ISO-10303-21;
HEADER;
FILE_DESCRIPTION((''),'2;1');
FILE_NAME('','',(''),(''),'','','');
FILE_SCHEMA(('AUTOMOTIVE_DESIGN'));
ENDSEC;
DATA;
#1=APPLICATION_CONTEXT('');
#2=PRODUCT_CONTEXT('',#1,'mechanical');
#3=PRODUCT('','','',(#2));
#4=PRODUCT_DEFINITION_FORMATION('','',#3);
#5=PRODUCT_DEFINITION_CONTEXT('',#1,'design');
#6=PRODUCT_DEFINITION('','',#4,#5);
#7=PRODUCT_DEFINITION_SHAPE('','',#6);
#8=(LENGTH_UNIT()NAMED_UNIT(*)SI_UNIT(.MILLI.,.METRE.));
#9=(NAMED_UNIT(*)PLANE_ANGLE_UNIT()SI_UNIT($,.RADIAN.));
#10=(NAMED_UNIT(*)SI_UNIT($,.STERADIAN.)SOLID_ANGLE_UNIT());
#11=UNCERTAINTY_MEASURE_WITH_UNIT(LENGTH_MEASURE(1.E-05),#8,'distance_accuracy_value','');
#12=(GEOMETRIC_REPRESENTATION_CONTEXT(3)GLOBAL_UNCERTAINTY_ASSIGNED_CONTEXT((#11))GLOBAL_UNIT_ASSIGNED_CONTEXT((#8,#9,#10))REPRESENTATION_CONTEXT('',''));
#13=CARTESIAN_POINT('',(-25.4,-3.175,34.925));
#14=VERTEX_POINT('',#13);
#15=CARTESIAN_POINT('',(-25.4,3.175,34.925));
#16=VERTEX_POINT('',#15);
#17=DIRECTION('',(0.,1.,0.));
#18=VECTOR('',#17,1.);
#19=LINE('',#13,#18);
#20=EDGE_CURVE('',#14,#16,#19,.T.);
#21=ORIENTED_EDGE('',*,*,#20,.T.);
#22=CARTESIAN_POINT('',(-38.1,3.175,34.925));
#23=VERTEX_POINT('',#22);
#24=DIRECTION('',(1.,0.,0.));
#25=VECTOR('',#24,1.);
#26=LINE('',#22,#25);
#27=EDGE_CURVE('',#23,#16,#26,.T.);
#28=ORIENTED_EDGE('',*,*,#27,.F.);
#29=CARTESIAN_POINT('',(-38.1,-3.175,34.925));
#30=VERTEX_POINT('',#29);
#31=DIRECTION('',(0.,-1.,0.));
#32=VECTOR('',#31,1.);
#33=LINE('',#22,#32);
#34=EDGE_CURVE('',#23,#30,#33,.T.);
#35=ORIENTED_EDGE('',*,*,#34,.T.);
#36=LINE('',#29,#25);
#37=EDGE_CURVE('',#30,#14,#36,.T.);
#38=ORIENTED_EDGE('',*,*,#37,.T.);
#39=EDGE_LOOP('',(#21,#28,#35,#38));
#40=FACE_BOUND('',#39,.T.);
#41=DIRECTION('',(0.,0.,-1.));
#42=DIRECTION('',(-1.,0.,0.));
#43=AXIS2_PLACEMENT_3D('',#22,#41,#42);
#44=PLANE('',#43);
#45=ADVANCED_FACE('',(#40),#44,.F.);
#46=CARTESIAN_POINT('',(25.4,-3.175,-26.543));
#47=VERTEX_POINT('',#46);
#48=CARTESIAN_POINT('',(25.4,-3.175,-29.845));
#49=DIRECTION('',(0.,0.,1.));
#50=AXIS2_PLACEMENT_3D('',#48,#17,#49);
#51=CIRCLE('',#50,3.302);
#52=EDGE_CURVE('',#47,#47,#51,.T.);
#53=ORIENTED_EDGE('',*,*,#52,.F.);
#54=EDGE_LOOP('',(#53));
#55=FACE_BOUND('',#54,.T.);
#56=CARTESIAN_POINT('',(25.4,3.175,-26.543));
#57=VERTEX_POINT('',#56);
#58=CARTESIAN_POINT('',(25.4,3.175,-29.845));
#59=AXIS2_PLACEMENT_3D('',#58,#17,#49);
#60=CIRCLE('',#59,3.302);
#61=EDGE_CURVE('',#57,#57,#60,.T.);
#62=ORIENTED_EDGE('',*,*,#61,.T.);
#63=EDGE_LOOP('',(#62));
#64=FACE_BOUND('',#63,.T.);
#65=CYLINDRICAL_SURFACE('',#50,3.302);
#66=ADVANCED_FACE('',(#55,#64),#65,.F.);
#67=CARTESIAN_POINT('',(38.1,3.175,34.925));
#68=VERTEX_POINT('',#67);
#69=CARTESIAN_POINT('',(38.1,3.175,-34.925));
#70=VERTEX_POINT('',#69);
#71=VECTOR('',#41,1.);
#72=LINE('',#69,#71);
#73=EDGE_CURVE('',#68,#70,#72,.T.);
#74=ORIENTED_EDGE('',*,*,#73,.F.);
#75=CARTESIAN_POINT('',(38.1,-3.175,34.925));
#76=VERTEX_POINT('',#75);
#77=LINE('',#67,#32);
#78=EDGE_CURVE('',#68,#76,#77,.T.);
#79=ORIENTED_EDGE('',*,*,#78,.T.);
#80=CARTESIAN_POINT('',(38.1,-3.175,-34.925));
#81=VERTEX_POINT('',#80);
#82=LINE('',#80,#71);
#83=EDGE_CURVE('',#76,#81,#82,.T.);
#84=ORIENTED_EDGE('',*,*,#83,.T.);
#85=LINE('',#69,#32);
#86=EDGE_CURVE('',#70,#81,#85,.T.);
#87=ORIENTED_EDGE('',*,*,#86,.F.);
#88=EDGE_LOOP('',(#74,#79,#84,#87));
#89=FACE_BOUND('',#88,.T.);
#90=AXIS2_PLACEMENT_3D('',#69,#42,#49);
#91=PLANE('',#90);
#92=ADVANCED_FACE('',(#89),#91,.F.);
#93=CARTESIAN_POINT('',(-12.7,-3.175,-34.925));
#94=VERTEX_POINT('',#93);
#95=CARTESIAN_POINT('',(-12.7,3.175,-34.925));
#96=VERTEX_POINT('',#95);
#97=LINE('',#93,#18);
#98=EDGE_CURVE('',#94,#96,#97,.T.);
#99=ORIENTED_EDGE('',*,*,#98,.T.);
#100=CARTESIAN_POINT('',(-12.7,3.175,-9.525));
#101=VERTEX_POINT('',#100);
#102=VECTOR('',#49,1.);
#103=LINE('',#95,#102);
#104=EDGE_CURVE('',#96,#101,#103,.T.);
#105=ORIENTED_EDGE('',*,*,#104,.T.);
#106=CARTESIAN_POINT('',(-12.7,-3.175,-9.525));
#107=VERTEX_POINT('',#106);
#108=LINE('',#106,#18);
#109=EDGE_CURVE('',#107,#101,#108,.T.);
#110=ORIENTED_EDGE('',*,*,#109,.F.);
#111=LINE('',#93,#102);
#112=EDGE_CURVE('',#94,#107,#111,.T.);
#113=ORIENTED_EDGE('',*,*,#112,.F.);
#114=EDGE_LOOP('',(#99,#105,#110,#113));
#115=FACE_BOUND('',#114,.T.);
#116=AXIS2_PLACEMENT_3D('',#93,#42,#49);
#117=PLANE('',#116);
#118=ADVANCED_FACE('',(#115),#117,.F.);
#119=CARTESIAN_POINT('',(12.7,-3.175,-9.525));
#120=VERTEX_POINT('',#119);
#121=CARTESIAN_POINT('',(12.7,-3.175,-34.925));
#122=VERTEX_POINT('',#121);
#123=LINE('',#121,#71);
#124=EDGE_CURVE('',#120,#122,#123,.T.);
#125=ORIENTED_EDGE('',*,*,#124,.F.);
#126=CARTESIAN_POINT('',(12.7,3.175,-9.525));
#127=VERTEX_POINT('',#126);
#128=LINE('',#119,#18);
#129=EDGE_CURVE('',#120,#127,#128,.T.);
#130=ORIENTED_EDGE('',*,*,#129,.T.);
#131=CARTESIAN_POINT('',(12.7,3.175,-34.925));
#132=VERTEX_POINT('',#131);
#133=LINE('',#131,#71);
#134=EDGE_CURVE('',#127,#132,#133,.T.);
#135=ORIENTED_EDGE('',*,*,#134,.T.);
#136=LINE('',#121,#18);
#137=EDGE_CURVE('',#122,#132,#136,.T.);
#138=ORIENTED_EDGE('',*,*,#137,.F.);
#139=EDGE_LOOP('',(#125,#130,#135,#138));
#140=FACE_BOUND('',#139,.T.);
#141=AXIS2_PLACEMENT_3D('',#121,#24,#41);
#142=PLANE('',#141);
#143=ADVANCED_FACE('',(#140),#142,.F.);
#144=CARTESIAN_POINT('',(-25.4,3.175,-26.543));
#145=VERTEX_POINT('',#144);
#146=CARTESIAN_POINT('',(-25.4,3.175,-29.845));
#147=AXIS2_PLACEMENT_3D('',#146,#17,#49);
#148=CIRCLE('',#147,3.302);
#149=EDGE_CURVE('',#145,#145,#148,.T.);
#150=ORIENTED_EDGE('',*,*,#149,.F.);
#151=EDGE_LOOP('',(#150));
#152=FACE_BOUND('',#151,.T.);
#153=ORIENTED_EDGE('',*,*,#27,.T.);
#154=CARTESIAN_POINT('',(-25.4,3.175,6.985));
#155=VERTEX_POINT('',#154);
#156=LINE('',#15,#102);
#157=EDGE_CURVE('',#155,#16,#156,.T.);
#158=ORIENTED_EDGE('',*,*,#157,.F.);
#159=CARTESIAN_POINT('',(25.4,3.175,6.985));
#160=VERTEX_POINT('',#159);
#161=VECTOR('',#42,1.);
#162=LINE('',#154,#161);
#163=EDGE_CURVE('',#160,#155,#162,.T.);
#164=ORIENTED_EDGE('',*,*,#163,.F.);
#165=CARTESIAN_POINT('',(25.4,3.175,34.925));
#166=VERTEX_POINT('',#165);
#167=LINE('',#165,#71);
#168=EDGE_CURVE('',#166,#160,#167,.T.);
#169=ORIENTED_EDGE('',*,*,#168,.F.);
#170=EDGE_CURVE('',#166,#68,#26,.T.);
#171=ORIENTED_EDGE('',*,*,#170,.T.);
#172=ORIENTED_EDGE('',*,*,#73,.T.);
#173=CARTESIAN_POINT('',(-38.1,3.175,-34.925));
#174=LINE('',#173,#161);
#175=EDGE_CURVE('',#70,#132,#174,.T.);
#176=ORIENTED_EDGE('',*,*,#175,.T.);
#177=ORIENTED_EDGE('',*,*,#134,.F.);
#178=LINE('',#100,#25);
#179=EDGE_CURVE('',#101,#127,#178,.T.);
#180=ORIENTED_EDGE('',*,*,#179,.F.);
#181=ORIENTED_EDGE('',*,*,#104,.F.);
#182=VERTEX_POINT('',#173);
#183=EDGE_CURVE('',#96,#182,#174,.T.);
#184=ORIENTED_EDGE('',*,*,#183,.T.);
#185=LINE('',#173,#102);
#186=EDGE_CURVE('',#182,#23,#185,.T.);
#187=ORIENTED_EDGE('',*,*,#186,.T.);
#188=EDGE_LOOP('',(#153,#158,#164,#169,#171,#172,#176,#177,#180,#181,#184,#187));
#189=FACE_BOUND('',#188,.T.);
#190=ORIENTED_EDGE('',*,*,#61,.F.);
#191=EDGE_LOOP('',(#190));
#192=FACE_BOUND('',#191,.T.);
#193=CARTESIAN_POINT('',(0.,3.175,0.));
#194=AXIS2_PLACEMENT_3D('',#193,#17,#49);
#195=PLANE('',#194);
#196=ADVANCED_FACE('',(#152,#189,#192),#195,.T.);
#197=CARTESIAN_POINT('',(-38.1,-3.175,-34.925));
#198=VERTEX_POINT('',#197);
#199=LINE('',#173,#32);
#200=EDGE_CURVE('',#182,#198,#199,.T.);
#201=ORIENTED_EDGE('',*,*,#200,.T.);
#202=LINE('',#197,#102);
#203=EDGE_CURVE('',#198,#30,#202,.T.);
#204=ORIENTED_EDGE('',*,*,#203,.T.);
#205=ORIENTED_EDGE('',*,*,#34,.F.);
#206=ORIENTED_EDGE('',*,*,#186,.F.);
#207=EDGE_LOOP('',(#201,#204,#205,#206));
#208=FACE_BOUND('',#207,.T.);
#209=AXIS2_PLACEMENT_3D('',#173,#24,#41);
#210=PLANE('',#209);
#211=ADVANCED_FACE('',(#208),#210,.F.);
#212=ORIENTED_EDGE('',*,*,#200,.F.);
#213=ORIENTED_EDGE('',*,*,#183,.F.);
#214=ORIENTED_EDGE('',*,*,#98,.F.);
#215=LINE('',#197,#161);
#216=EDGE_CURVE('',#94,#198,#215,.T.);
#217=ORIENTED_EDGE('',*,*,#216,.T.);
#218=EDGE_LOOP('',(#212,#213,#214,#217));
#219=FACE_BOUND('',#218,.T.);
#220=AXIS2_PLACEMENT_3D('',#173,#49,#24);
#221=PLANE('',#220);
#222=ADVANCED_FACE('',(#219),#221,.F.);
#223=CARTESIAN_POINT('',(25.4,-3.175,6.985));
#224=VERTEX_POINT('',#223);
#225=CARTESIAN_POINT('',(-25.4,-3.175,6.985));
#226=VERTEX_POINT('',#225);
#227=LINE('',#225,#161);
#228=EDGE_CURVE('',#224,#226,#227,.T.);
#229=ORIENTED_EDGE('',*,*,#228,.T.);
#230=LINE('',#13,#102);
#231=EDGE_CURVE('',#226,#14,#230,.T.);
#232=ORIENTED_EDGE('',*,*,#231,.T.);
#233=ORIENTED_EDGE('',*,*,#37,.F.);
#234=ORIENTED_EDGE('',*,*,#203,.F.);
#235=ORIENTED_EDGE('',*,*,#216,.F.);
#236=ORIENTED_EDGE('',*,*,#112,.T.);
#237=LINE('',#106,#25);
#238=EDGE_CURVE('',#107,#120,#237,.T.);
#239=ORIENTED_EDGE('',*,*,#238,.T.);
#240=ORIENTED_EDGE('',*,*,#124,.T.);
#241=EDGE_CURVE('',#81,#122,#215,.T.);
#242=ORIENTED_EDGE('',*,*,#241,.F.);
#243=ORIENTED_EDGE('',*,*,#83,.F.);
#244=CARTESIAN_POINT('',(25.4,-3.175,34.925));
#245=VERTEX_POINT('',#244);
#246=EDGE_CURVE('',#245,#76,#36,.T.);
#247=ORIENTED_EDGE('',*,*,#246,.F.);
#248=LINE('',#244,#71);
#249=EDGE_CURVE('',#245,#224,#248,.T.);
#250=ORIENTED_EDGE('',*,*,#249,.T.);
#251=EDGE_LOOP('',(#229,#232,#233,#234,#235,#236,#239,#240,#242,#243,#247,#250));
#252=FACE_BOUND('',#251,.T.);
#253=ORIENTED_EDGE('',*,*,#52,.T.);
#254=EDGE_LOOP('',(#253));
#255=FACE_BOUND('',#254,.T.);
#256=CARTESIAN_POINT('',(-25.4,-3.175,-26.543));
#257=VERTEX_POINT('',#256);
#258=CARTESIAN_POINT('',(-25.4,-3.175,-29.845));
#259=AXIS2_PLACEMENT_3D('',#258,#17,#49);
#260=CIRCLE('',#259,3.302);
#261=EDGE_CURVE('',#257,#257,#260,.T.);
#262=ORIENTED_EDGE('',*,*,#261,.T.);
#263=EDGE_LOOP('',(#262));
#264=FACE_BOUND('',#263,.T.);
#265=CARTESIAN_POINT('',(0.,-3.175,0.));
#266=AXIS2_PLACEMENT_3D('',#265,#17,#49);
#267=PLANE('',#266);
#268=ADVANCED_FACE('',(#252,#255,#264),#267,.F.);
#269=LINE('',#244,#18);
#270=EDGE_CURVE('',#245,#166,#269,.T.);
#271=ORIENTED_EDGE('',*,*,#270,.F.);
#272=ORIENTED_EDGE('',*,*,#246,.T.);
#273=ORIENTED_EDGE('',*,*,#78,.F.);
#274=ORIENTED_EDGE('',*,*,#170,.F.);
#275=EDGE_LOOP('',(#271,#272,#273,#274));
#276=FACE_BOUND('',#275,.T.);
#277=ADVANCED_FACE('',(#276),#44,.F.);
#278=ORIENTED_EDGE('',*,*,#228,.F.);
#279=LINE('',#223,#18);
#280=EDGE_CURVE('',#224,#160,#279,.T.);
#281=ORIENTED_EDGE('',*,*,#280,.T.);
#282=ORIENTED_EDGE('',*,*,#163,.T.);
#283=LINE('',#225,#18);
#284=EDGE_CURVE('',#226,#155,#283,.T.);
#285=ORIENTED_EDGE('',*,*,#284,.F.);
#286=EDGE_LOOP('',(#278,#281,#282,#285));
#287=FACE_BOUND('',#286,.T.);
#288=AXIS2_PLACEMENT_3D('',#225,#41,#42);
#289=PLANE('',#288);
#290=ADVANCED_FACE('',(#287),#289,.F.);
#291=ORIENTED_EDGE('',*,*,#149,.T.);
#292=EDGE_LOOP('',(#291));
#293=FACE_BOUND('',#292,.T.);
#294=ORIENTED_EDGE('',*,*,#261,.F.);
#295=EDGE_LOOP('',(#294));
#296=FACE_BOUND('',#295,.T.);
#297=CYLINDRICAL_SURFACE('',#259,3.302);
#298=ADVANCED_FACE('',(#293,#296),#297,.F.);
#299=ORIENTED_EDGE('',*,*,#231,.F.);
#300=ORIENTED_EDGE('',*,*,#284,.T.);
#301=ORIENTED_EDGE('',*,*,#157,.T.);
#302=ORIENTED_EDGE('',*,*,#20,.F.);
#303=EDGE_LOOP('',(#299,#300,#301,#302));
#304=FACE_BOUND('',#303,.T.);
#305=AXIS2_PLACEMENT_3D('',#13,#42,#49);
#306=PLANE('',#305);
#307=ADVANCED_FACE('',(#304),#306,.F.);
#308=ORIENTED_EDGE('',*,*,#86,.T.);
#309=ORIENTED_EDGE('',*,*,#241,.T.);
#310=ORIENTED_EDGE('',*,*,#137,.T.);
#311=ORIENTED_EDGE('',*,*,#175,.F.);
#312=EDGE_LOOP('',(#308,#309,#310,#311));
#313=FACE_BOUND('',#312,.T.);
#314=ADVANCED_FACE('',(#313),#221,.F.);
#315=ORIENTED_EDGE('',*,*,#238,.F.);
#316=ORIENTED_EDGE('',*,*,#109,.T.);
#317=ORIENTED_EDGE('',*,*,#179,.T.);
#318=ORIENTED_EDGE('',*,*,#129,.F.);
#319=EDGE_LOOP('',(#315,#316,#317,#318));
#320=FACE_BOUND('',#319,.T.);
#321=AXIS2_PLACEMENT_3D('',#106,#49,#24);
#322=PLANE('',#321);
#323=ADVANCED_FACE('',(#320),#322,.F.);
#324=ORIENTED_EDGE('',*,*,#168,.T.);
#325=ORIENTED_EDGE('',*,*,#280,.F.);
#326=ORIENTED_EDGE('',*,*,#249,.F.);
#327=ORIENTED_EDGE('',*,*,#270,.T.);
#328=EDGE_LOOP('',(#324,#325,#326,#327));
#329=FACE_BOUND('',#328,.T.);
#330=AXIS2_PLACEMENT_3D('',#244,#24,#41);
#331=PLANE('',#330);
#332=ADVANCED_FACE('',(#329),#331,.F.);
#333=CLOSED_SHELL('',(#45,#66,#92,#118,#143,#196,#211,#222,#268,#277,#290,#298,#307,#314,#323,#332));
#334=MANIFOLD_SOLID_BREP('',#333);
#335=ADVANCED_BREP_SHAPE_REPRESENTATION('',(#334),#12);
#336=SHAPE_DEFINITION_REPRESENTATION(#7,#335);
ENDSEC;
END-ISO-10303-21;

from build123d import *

# Parameters (mm, degrees)
SKETCH1_W           = 76.2
SKETCH1_H           = 69.85
BOSS_EXTRUDE1_DEPTH = 3.175
SKETCH2_W           = 50.8
SKETCH2_H           = 27.94
CUT_EXTRUDE1_DEPTH  = 7.35
SKETCH4_R           = 3.302
CUT_EXTRUDE2_DEPTH  = 7.35
SKETCH5_W           = 25.4
SKETCH5_H           = 25.4
CUT_EXTRUDE3_DEPTH  = 7.35


with BuildPart() as part:
    # Sketch1 → Boss-Extrude1 (new body, symmetric)
    with BuildSketch(Plane(origin=(0, 0, 0), x_dir=(1, 0, 0), z_dir=(0, 1, 0))):
        Rectangle(SKETCH1_W, SKETCH1_H)
    extrude(amount=BOSS_EXTRUDE1_DEPTH, both=True)

    # Sketch2 → Cut-Extrude1 (cut, through all)
    with BuildSketch(Plane(origin=(0, 3.175, 0), x_dir=(1, 0, 0), z_dir=(0, 1, 0))):
        with Locations((0, -20.955)):
            Rectangle(SKETCH2_W, SKETCH2_H)
    extrude(amount=-CUT_EXTRUDE1_DEPTH, mode=Mode.SUBTRACT)

    # Sketch4 → Cut-Extrude2 (cut, through all)
    with BuildSketch(Plane(origin=(0, 3.175, 0), x_dir=(1, 0, 0), z_dir=(0, 1, 0))):
        with Locations((-25.4, 29.845)):
            Circle(SKETCH4_R)
        with Locations((25.4, 29.845)):
            Circle(SKETCH4_R)
    extrude(amount=-CUT_EXTRUDE2_DEPTH, mode=Mode.SUBTRACT)

    # Sketch5 → Cut-Extrude3 (cut, through all)
    with BuildSketch(Plane(origin=(0, 3.175, 0), x_dir=(1, 0, 0), z_dir=(0, 1, 0))):
        with Locations((0, 22.225)):
            Rectangle(SKETCH5_W, SKETCH5_H)
    extrude(amount=-CUT_EXTRUDE3_DEPTH, mode=Mode.SUBTRACT)


solid = part.part
